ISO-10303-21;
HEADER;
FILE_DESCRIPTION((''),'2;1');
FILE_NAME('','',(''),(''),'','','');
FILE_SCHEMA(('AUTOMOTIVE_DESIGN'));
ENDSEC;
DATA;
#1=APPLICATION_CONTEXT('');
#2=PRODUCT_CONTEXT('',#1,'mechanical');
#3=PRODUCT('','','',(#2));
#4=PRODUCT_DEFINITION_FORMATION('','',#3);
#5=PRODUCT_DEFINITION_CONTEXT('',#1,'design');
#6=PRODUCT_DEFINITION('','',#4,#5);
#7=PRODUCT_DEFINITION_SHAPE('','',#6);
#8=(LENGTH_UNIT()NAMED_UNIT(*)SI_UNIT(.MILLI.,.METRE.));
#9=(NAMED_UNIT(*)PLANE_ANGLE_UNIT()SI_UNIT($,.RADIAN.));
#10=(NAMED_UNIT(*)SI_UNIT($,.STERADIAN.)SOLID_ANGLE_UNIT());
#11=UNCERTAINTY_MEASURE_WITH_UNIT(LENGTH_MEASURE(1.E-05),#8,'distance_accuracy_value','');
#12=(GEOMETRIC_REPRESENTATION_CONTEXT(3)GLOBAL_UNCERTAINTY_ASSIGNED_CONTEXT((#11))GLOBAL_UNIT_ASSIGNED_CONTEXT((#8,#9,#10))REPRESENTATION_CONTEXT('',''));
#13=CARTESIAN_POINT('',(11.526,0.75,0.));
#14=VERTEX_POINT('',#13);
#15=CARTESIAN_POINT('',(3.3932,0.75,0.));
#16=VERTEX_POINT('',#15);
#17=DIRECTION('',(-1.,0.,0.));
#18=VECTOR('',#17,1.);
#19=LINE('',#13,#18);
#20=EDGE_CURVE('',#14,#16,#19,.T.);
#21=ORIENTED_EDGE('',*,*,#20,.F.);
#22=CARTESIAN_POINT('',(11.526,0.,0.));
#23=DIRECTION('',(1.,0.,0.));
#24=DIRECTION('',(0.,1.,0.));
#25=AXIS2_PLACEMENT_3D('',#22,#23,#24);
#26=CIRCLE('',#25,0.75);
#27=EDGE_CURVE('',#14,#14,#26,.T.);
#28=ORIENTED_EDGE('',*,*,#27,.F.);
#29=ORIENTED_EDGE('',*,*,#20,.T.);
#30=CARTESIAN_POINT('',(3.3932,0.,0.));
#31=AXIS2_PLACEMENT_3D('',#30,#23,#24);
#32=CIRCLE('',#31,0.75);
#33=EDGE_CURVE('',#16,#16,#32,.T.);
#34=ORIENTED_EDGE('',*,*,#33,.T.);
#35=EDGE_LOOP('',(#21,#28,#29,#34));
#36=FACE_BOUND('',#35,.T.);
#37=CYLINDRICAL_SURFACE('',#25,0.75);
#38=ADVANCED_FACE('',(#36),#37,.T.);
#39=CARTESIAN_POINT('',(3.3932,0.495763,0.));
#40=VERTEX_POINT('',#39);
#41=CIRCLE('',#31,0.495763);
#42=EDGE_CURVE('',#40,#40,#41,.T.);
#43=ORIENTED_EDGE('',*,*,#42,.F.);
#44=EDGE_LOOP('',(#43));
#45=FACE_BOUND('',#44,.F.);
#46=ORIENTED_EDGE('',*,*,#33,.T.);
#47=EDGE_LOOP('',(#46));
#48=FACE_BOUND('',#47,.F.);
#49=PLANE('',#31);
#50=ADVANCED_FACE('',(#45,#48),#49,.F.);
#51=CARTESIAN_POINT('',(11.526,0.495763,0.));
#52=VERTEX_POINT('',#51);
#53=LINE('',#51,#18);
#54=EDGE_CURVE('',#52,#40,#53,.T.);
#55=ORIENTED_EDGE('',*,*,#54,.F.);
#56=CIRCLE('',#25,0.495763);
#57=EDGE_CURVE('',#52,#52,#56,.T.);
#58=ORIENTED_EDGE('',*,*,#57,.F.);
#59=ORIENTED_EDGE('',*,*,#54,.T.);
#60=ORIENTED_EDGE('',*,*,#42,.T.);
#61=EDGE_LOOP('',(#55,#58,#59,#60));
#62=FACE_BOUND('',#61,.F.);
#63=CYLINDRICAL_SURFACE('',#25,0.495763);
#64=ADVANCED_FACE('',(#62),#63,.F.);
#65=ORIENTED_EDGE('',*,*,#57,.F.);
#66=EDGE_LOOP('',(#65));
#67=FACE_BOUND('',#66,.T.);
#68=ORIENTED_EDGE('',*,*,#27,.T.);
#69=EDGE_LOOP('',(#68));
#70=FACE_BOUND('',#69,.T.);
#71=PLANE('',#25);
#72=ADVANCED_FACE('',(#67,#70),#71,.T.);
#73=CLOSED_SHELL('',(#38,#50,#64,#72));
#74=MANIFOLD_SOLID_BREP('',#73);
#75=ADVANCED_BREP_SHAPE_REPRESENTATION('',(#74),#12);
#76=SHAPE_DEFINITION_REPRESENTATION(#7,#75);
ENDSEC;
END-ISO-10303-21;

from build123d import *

# Parameters (mm, degrees)
PAD_DEPTH       = 0.245
POCKET_DEPTH    = 0.05
SKETCH004_R     = 0.75
PAD001_DEPTH    = 10.08525
SKETCH005_R     = 3
HOLE_DEPTH      = 26
SKETCH006_R     = 0.495763
POCKET001_DEPTH = 9.580987
SKETCH007_W     = 15
SKETCH007_H     = 15
POCKET002_DEPTH = 5


with BuildPart() as part:
    # Sketch → Pad (new body, symmetric)
    with BuildSketch(Plane.XY):
        with BuildLine():
            Line((0, 0.375), (19.21, 0.375))
            ThreePointArc((19.21, -0.375), (19.585, 0), (19.21, 0.375))
            Line((19.21, -0.375), (0, -0.375))
            ThreePointArc((0, 0.375), (-0.375, 0), (0, -0.375))
        make_face()
    extrude(amount=PAD_DEPTH, both=True)

    # Sketch001 → Revolution (revolve)
    with BuildSketch(Plane.XY):
        with BuildLine():
            Line((0, 0.625), (0, 0))
            Line((0, 0), (0, -0.625))
            ThreePointArc((0, 0.625), (-0.625, 0), (0, -0.625))
        make_face()
    revolve(axis=Axis((0, 0, 0), (0, -1, 0)))

    # Sketch002 → Revolution001 (revolve)
    with BuildSketch(Plane.XY):
        with BuildLine():
            ThreePointArc((19.21, -0.625), (19.835, 0), (19.21, 0.625))
            Line((19.21, 0.625), (19.21, 0))
            Line((19.21, 0), (19.21, -0.625))
        make_face()
    revolve(axis=Axis((19.21, 0, 0), (0, -1, 0)))

    # Sketch003 (on DatumPlane) → Pocket (cut)
    with BuildSketch(Plane.XY.offset(0.25)):
        Polygon((1.05425, -0.16238), (1.148, 0), (1.05425, 0.16238), (0.86675, 0.16238), (0.773, 0), (0.86675, -0.16238), align=None)
    extrude(amount=-POCKET_DEPTH, mode=Mode.SUBTRACT)

    # Sketch004 (on DatumPlane) → Pad001 (join)
    with BuildSketch(Plane.YZ.offset(11.526)):
        Circle(SKETCH004_R)
    extrude(amount=-PAD001_DEPTH)

    # Sketch005 (on DatumPlane) → Hole (cut)
    with BuildSketch(Plane.YZ.offset(11.526)):
        Circle(SKETCH005_R)
    extrude(amount=HOLE_DEPTH, mode=Mode.SUBTRACT)

    # Sketch006 (on DatumPlane) → Pocket001 (cut)
    with BuildSketch(Plane.YZ.offset(11.526)):
        Circle(SKETCH006_R)
    extrude(amount=-POCKET001_DEPTH, mode=Mode.SUBTRACT)

    # Sketch007 (on DatumPlane) → Pocket002 (cut)
    with BuildSketch(Plane.YZ.offset(3.3932)):
        Rectangle(SKETCH007_W, SKETCH007_H)
    extrude(amount=-POCKET002_DEPTH, mode=Mode.SUBTRACT)


solid = part.part
